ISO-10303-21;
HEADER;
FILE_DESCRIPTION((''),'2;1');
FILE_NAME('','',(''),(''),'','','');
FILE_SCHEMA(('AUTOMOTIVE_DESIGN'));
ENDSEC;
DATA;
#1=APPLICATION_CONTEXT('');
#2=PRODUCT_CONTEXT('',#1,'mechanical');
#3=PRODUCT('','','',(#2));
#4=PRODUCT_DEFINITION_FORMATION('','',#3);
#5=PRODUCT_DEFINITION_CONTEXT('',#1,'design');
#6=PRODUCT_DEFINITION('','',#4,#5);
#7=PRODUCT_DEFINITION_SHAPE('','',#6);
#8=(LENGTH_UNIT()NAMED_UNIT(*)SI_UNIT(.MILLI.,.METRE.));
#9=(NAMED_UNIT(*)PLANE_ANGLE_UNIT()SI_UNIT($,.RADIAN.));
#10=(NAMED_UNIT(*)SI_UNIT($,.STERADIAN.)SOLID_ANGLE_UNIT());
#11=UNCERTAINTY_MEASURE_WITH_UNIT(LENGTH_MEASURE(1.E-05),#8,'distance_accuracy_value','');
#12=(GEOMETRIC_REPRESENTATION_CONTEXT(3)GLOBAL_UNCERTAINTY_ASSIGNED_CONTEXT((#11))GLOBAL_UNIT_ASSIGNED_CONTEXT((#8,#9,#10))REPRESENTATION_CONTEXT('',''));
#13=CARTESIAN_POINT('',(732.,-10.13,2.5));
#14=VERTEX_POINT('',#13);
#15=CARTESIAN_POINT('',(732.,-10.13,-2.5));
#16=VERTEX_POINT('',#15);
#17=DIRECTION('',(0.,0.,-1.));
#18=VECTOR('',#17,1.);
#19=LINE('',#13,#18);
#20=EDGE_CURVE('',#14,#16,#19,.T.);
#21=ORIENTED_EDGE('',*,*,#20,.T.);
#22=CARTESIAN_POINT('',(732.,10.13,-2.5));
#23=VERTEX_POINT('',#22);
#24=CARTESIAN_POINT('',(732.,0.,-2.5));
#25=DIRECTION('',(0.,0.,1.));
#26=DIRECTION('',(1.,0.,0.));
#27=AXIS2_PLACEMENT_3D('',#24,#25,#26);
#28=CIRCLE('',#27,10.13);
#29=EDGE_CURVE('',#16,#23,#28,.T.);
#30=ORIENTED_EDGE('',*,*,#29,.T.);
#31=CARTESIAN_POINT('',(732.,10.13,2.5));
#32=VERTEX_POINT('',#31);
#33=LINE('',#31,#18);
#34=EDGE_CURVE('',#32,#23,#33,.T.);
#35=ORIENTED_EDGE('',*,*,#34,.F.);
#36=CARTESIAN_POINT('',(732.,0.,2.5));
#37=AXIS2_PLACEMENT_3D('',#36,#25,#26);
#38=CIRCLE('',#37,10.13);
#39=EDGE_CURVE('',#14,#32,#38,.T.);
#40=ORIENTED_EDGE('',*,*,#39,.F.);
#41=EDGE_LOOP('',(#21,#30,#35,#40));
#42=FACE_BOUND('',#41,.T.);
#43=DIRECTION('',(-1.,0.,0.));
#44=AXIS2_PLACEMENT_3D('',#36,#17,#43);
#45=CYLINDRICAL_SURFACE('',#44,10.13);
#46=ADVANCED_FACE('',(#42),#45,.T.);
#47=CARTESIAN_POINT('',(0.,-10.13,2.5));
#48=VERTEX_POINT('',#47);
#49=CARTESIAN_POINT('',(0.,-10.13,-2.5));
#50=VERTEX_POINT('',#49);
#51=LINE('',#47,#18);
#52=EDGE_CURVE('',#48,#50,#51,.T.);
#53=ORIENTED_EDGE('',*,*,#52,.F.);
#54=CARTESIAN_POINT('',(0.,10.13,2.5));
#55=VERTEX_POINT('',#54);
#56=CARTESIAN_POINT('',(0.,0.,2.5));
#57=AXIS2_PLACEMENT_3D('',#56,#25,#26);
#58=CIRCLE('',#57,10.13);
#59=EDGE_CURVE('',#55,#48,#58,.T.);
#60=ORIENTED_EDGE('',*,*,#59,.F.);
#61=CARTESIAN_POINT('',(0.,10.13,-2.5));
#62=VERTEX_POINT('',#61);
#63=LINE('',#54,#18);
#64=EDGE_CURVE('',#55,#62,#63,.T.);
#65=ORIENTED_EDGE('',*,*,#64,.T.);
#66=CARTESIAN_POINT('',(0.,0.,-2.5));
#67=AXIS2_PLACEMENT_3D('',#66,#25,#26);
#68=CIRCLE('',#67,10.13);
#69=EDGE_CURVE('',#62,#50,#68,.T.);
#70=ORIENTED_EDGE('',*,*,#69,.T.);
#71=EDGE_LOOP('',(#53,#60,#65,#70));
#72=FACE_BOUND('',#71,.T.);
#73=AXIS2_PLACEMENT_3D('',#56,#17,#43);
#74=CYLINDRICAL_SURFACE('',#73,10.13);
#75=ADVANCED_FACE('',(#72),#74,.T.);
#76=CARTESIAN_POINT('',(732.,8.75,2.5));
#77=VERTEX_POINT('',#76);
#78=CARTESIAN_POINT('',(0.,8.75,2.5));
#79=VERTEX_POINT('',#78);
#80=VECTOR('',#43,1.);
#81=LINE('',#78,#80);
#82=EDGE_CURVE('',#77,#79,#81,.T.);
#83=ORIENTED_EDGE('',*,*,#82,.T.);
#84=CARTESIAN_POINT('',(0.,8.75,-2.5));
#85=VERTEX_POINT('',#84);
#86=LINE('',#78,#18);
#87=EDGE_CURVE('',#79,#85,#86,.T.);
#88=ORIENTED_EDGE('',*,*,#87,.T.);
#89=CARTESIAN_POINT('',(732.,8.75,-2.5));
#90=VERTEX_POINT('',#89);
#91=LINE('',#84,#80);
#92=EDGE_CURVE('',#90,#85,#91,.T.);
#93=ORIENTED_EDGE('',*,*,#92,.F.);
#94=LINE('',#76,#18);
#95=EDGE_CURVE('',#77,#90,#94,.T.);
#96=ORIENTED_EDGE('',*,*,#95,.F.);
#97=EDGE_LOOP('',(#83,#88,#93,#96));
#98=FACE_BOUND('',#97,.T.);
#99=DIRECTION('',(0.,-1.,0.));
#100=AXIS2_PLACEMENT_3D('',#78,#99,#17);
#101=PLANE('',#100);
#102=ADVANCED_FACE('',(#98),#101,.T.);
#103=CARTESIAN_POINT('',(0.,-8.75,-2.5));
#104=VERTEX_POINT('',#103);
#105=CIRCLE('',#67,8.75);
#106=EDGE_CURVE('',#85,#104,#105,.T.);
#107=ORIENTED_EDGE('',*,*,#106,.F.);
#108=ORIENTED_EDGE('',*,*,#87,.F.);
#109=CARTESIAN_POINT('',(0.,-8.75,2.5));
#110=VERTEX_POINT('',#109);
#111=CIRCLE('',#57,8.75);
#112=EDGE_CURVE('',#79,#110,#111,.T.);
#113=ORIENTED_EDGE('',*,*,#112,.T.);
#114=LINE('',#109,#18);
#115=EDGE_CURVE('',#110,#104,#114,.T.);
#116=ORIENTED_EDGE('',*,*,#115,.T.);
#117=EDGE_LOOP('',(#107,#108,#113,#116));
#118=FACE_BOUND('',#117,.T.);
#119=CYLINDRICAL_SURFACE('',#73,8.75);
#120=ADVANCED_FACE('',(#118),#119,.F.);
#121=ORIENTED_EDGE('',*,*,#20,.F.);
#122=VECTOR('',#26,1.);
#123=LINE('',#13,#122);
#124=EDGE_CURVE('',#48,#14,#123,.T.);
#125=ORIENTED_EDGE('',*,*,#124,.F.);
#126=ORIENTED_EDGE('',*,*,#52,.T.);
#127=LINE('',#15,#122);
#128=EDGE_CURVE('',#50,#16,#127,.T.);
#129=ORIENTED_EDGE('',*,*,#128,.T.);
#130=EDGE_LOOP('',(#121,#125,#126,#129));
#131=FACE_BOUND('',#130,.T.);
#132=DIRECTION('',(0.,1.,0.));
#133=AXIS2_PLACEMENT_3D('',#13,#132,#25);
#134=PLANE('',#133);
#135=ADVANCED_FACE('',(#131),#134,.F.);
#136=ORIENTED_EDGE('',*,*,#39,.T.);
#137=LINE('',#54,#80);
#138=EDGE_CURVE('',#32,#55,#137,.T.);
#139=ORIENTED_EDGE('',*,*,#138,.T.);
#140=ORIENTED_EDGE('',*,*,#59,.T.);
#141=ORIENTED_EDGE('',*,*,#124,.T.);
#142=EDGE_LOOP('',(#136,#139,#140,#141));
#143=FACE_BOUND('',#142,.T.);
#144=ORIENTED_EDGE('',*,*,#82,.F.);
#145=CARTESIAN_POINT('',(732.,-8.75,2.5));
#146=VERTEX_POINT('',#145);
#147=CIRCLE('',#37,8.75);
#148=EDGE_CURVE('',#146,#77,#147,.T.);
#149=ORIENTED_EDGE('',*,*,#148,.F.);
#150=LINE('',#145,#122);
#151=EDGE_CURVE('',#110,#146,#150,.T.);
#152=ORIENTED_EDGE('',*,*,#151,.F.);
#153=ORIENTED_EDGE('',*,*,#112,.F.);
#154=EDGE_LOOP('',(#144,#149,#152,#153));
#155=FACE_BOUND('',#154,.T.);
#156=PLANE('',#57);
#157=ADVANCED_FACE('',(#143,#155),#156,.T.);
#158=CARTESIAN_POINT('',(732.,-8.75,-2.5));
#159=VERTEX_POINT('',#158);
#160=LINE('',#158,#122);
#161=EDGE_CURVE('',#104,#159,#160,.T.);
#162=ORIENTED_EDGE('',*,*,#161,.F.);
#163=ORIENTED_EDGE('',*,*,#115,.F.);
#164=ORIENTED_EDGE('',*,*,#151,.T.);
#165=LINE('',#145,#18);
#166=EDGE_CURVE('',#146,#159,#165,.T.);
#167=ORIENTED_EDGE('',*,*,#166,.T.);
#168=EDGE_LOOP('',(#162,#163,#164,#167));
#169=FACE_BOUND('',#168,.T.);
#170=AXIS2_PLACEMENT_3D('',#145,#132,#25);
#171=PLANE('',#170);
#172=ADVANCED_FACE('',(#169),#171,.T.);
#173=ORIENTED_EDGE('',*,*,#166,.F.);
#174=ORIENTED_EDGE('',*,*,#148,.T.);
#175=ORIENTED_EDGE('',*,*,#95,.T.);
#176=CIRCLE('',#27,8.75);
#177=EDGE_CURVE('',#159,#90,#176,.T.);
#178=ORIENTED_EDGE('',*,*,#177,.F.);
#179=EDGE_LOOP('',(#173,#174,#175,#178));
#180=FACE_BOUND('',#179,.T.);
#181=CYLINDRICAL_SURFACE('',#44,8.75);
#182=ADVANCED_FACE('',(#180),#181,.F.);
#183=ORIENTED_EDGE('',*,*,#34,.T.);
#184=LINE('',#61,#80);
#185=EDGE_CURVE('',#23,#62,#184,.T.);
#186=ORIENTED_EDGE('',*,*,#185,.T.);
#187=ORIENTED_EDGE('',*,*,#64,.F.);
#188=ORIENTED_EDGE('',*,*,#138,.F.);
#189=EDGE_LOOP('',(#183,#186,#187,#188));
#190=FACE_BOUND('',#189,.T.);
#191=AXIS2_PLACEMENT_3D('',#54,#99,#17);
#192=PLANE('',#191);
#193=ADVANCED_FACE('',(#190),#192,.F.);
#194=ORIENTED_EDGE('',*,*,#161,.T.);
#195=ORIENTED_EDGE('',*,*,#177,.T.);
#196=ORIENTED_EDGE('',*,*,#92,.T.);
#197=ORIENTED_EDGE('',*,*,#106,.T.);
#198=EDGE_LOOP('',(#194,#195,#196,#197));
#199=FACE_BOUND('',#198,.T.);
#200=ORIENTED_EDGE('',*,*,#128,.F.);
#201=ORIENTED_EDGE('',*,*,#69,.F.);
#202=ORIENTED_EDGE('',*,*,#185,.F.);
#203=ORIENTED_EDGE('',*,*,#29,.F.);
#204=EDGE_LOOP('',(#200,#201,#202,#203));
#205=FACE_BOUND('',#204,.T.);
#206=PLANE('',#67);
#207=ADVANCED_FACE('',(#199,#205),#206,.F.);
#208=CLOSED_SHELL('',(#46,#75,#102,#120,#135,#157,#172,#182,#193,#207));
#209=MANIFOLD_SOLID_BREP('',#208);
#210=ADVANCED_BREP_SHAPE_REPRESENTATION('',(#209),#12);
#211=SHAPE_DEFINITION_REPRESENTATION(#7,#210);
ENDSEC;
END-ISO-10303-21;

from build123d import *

# Parameters (mm, degrees)
EXTRUDE_THIN1_DEPTH = 2.5


with BuildPart() as part:
    # Sketch1 → Extrude-Thin1 (new, symmetric)
    with BuildSketch(Plane.XY):
        with BuildLine():
            Line((732, -10.13), (0, -10.13))
            ThreePointArc((0, -10.13), (-10.13, 0), (0, 10.13))
            Line((0, 10.13), (732, 10.13))
            ThreePointArc((732, 10.13), (742.13, 0), (732, -10.13))
        make_face()
        with BuildLine():
            Line((732, -8.75), (0, -8.75))
            ThreePointArc((0, -8.75), (-8.75, 0), (0, 8.75))
            Line((0, 8.75), (732, 8.75))
            ThreePointArc((732, 8.75), (740.75, 0), (732, -8.75))
        make_face(mode=Mode.SUBTRACT)
    extrude(amount=EXTRUDE_THIN1_DEPTH, both=True)


solid = part.part
